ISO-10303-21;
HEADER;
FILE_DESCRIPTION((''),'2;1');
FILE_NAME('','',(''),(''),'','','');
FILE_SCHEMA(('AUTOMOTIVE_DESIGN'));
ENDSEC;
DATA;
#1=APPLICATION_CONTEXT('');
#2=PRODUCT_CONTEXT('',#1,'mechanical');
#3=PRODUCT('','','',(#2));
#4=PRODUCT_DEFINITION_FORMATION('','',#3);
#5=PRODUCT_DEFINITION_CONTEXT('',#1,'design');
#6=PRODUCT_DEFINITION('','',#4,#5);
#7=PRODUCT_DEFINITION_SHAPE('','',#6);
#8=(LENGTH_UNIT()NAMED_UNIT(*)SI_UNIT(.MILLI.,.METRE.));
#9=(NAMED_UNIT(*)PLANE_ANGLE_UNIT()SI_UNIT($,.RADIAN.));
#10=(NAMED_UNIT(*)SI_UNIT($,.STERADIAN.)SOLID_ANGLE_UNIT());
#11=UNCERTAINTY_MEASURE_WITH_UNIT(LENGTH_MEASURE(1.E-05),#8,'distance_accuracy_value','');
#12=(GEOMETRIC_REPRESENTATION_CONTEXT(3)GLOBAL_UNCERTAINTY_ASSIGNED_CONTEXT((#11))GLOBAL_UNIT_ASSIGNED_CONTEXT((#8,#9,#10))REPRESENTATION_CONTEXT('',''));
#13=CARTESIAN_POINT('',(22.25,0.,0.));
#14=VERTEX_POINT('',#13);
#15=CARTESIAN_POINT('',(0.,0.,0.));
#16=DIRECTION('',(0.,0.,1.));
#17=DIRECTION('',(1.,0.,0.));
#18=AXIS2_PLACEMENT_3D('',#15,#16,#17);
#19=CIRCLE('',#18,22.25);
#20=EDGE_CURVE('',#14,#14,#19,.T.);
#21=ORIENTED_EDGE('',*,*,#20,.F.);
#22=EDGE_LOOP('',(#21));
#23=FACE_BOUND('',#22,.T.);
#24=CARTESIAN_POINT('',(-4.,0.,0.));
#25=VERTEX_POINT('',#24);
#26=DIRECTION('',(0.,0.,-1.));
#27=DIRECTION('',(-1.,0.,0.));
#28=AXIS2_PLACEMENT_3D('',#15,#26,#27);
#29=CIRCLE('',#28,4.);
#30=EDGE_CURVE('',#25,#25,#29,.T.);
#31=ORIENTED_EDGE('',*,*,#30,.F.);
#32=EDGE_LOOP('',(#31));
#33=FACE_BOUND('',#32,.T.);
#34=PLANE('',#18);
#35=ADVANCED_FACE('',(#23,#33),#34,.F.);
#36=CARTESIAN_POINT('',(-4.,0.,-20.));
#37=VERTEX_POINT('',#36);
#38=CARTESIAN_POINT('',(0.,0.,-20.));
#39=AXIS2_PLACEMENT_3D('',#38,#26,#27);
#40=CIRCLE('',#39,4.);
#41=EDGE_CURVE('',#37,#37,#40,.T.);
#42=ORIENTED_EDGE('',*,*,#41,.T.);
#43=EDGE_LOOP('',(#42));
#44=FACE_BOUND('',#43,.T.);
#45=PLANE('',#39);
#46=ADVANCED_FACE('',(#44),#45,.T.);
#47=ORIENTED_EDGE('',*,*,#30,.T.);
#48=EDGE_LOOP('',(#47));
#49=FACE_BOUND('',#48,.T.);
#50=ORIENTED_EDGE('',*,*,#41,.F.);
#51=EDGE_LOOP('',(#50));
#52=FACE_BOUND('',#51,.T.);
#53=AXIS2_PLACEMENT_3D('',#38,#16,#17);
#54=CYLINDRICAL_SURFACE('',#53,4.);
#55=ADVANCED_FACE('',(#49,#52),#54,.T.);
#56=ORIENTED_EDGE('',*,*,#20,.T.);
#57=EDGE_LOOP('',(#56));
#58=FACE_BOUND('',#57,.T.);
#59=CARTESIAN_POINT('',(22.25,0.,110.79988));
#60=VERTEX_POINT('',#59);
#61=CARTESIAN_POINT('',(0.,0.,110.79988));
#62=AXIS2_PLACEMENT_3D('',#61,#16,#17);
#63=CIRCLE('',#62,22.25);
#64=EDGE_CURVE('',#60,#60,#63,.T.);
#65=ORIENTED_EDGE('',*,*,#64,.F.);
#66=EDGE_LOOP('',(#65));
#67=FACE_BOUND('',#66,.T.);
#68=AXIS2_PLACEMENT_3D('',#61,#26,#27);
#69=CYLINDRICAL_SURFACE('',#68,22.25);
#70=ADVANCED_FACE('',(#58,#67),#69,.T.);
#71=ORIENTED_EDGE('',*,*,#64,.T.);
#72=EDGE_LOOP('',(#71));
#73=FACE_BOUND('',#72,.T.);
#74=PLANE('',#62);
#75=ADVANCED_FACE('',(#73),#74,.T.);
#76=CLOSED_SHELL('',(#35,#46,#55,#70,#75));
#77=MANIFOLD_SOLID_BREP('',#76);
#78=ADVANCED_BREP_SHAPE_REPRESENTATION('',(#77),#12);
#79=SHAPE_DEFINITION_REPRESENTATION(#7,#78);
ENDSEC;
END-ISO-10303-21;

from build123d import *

# Parameters (mm, degrees)
SKETCH3_R           = 22.25
BOSS_EXTRUDE1_DEPTH = 110.79988
SKETCH4_R           = 4
BOSS_EXTRUDE2_DEPTH = 20


with BuildPart() as part:
    # Sketch3 → Boss-Extrude1 (new body)
    with BuildSketch(Plane.XY):
        Circle(SKETCH3_R)
    extrude(amount=BOSS_EXTRUDE1_DEPTH)

    # Sketch4 → Boss-Extrude2 (add)
    with BuildSketch(Plane(origin=(0, 0, 0), x_dir=(-1, 0, 0), z_dir=(0, 0, -1))):
        Circle(SKETCH4_R)
    extrude(amount=BOSS_EXTRUDE2_DEPTH)


solid = part.part
